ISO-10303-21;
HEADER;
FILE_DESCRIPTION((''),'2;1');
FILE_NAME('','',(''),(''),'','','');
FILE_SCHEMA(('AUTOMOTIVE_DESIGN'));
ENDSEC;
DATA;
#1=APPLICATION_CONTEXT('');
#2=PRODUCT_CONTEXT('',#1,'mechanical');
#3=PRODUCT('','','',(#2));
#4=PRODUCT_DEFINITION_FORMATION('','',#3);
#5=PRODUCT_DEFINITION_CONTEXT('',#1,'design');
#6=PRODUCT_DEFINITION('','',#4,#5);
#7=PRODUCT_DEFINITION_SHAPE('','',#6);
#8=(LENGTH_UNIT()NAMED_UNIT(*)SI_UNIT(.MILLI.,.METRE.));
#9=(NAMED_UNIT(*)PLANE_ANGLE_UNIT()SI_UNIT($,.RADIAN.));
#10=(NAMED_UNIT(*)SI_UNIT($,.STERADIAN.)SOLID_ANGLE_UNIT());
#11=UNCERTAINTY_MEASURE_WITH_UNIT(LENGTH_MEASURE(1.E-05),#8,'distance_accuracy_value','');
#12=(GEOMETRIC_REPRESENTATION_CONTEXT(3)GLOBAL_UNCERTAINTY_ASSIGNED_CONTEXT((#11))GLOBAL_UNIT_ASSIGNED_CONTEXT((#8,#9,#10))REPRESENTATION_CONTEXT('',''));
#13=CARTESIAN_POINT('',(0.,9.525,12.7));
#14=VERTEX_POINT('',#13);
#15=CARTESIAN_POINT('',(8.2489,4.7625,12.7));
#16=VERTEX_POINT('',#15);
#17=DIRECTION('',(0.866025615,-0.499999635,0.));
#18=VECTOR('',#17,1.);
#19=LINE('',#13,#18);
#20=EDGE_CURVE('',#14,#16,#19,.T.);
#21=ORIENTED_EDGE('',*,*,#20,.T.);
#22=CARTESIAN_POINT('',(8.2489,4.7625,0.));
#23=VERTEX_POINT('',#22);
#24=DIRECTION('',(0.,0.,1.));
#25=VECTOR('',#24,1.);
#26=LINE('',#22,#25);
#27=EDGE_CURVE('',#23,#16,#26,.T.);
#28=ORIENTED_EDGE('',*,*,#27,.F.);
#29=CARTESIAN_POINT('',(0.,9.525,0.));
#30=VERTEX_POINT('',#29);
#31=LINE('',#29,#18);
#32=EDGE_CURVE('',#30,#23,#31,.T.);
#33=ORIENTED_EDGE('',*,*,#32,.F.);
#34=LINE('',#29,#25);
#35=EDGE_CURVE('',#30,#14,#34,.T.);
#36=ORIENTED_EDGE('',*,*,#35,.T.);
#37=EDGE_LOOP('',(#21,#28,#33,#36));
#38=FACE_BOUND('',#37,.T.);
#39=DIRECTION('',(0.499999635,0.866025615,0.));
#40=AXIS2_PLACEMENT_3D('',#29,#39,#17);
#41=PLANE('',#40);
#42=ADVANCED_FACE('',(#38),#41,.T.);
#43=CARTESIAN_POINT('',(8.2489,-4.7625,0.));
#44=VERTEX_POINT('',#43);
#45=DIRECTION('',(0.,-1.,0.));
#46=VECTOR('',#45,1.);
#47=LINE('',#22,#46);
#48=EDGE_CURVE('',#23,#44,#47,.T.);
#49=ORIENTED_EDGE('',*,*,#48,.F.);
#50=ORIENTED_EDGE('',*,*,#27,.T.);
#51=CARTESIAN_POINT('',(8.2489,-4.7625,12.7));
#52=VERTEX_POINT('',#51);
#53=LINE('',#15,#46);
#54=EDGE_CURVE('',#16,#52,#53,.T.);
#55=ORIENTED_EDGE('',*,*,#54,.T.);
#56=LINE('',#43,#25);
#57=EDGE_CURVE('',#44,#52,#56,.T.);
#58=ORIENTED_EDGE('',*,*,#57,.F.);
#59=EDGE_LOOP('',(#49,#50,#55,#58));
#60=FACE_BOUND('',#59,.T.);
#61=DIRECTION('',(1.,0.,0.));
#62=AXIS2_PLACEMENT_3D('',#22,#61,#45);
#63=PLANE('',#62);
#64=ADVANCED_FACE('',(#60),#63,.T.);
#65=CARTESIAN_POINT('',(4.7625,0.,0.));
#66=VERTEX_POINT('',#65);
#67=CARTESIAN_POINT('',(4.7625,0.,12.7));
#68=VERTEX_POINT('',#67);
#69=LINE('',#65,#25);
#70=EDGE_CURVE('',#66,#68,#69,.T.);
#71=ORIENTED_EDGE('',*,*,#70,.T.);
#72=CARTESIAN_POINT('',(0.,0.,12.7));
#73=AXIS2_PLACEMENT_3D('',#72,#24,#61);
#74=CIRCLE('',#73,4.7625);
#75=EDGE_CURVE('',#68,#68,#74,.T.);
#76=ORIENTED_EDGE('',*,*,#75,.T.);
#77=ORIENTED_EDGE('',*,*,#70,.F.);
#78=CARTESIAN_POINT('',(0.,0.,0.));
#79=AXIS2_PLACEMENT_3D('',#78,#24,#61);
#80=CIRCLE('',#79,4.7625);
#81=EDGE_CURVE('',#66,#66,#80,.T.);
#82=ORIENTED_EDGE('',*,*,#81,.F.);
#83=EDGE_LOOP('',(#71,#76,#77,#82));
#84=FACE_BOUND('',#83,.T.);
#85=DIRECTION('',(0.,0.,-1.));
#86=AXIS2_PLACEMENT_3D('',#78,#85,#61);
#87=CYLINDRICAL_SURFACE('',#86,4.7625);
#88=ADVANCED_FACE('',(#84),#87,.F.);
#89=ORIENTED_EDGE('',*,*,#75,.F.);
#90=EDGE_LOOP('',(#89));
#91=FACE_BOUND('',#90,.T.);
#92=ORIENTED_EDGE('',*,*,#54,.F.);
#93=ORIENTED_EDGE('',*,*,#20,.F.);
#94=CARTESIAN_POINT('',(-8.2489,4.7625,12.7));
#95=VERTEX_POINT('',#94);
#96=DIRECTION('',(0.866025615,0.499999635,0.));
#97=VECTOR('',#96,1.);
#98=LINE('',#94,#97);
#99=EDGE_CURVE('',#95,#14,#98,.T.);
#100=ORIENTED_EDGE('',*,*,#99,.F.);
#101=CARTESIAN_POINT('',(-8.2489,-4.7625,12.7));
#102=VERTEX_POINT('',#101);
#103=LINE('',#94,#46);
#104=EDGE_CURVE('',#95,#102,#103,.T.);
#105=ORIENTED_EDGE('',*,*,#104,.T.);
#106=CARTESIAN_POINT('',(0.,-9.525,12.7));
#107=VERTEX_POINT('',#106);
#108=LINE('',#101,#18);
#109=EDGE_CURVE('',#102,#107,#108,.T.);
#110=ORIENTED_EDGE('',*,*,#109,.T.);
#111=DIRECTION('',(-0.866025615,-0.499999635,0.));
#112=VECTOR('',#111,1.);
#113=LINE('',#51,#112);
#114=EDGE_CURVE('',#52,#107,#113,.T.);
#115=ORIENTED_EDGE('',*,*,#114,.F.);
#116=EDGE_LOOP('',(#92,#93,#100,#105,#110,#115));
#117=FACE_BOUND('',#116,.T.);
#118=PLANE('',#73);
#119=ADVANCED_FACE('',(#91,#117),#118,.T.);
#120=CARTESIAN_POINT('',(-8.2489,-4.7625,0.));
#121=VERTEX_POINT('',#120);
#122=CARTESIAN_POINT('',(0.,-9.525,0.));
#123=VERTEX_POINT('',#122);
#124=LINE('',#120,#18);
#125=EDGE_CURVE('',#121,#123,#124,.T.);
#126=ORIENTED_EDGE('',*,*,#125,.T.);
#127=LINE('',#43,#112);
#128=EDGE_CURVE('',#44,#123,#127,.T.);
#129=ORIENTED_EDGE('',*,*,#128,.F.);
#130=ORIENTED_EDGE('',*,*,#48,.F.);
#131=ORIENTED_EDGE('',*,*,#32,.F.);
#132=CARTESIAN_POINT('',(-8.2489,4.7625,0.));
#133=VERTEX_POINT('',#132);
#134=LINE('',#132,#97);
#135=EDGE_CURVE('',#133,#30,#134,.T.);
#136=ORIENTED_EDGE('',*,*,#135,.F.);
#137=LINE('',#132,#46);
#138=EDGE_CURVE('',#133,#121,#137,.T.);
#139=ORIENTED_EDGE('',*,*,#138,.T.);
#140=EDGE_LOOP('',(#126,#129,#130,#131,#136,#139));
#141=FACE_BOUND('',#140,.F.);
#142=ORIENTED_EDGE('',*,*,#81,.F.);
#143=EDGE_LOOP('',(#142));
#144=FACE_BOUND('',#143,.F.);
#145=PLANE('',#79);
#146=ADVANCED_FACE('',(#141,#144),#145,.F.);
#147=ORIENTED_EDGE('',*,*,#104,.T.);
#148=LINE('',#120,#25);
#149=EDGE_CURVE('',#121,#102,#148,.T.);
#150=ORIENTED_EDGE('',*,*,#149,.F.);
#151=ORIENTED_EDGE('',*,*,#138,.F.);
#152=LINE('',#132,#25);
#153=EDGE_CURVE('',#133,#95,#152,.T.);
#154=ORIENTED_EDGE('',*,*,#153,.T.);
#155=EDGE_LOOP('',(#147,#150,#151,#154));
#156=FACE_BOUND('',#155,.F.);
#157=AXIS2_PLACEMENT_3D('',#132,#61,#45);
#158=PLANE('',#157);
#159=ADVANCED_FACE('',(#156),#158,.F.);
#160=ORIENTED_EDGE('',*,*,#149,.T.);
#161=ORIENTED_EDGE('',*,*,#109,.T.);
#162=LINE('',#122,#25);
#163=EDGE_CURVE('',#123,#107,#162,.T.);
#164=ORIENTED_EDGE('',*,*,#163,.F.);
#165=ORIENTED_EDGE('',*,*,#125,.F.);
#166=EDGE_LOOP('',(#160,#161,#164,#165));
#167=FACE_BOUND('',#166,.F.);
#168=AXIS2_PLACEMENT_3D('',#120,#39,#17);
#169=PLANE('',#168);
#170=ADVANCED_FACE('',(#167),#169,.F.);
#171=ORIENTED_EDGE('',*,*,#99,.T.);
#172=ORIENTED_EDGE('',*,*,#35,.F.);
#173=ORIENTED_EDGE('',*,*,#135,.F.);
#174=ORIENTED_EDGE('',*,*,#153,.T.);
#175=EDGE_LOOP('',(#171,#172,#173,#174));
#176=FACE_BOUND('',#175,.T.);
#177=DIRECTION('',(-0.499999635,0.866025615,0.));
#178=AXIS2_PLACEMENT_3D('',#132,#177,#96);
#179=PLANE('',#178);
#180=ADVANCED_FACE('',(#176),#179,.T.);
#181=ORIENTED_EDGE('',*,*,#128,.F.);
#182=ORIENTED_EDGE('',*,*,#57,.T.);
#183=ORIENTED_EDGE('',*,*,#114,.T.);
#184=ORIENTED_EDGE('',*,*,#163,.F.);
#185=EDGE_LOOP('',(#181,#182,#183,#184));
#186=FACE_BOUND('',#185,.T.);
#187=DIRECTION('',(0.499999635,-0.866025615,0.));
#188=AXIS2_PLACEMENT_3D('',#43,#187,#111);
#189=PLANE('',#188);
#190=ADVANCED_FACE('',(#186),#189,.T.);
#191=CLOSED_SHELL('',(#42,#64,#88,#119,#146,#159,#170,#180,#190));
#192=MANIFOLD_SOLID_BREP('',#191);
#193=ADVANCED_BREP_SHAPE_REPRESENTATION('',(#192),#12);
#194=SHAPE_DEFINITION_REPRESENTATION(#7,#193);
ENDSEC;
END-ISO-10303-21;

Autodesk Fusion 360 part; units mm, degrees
sketch "Sketch1" plane through (0, 0, 0) normal (0, 0, 1) x (1, 0, 0)
  circle A0 centre (0, 0) radius 9.525 construction
  line L0 (0, 0) -> (0, 9.525) construction
  line L1 (0, 0) -> (8.2489, -4.7625) construction
  line L2 (0, 0) -> (-8.2489, -4.7625) construction
  line L3 (0, 0) -> (0, -9.525) construction
  line L4 (0, 0) -> (-8.2489, 4.7625) construction
  line L5 (0, 0) -> (8.2489, 4.7625) construction
  line L6 (-8.2489, 4.7625) -> (0, 9.525)
  line L7 (0, 9.525) -> (8.2489, 4.7625)
  line L8 (8.2489, 4.7625) -> (8.2489, -4.7625)
  line L9 (8.2489, -4.7625) -> (0, -9.525)
  line L10 (-8.2489, -4.7625) -> (0, -9.525)
  line L11 (-8.2489, 4.7625) -> (-8.2489, -4.7625)
  circle A1 centre (0, 0) radius 4.7625
  dimension "d1" = 19.05
extrude "Extrude1" add sketch "Sketch1" along normal blind 12.7
sketch "Sketch2" plane through (0, 0, 12.7) normal (0, 0, 1) x (-1, 0, 0)
  circle A0 centre (0, 0) radius 4.7625
  line L0 (0, -9.525) -> (8.2489, -4.7625)
  line L1 (8.2489, -4.7625) -> (8.2489, 4.7625)
  line L2 (8.2489, 4.7625) -> (0, 9.525)
  line L3 (0, 9.525) -> (-8.2489, 4.7625)
  line L4 (-8.2489, 4.7625) -> (-8.2489, -4.7625)
  line L5 (-8.2489, -4.7625) -> (0, -9.525)
